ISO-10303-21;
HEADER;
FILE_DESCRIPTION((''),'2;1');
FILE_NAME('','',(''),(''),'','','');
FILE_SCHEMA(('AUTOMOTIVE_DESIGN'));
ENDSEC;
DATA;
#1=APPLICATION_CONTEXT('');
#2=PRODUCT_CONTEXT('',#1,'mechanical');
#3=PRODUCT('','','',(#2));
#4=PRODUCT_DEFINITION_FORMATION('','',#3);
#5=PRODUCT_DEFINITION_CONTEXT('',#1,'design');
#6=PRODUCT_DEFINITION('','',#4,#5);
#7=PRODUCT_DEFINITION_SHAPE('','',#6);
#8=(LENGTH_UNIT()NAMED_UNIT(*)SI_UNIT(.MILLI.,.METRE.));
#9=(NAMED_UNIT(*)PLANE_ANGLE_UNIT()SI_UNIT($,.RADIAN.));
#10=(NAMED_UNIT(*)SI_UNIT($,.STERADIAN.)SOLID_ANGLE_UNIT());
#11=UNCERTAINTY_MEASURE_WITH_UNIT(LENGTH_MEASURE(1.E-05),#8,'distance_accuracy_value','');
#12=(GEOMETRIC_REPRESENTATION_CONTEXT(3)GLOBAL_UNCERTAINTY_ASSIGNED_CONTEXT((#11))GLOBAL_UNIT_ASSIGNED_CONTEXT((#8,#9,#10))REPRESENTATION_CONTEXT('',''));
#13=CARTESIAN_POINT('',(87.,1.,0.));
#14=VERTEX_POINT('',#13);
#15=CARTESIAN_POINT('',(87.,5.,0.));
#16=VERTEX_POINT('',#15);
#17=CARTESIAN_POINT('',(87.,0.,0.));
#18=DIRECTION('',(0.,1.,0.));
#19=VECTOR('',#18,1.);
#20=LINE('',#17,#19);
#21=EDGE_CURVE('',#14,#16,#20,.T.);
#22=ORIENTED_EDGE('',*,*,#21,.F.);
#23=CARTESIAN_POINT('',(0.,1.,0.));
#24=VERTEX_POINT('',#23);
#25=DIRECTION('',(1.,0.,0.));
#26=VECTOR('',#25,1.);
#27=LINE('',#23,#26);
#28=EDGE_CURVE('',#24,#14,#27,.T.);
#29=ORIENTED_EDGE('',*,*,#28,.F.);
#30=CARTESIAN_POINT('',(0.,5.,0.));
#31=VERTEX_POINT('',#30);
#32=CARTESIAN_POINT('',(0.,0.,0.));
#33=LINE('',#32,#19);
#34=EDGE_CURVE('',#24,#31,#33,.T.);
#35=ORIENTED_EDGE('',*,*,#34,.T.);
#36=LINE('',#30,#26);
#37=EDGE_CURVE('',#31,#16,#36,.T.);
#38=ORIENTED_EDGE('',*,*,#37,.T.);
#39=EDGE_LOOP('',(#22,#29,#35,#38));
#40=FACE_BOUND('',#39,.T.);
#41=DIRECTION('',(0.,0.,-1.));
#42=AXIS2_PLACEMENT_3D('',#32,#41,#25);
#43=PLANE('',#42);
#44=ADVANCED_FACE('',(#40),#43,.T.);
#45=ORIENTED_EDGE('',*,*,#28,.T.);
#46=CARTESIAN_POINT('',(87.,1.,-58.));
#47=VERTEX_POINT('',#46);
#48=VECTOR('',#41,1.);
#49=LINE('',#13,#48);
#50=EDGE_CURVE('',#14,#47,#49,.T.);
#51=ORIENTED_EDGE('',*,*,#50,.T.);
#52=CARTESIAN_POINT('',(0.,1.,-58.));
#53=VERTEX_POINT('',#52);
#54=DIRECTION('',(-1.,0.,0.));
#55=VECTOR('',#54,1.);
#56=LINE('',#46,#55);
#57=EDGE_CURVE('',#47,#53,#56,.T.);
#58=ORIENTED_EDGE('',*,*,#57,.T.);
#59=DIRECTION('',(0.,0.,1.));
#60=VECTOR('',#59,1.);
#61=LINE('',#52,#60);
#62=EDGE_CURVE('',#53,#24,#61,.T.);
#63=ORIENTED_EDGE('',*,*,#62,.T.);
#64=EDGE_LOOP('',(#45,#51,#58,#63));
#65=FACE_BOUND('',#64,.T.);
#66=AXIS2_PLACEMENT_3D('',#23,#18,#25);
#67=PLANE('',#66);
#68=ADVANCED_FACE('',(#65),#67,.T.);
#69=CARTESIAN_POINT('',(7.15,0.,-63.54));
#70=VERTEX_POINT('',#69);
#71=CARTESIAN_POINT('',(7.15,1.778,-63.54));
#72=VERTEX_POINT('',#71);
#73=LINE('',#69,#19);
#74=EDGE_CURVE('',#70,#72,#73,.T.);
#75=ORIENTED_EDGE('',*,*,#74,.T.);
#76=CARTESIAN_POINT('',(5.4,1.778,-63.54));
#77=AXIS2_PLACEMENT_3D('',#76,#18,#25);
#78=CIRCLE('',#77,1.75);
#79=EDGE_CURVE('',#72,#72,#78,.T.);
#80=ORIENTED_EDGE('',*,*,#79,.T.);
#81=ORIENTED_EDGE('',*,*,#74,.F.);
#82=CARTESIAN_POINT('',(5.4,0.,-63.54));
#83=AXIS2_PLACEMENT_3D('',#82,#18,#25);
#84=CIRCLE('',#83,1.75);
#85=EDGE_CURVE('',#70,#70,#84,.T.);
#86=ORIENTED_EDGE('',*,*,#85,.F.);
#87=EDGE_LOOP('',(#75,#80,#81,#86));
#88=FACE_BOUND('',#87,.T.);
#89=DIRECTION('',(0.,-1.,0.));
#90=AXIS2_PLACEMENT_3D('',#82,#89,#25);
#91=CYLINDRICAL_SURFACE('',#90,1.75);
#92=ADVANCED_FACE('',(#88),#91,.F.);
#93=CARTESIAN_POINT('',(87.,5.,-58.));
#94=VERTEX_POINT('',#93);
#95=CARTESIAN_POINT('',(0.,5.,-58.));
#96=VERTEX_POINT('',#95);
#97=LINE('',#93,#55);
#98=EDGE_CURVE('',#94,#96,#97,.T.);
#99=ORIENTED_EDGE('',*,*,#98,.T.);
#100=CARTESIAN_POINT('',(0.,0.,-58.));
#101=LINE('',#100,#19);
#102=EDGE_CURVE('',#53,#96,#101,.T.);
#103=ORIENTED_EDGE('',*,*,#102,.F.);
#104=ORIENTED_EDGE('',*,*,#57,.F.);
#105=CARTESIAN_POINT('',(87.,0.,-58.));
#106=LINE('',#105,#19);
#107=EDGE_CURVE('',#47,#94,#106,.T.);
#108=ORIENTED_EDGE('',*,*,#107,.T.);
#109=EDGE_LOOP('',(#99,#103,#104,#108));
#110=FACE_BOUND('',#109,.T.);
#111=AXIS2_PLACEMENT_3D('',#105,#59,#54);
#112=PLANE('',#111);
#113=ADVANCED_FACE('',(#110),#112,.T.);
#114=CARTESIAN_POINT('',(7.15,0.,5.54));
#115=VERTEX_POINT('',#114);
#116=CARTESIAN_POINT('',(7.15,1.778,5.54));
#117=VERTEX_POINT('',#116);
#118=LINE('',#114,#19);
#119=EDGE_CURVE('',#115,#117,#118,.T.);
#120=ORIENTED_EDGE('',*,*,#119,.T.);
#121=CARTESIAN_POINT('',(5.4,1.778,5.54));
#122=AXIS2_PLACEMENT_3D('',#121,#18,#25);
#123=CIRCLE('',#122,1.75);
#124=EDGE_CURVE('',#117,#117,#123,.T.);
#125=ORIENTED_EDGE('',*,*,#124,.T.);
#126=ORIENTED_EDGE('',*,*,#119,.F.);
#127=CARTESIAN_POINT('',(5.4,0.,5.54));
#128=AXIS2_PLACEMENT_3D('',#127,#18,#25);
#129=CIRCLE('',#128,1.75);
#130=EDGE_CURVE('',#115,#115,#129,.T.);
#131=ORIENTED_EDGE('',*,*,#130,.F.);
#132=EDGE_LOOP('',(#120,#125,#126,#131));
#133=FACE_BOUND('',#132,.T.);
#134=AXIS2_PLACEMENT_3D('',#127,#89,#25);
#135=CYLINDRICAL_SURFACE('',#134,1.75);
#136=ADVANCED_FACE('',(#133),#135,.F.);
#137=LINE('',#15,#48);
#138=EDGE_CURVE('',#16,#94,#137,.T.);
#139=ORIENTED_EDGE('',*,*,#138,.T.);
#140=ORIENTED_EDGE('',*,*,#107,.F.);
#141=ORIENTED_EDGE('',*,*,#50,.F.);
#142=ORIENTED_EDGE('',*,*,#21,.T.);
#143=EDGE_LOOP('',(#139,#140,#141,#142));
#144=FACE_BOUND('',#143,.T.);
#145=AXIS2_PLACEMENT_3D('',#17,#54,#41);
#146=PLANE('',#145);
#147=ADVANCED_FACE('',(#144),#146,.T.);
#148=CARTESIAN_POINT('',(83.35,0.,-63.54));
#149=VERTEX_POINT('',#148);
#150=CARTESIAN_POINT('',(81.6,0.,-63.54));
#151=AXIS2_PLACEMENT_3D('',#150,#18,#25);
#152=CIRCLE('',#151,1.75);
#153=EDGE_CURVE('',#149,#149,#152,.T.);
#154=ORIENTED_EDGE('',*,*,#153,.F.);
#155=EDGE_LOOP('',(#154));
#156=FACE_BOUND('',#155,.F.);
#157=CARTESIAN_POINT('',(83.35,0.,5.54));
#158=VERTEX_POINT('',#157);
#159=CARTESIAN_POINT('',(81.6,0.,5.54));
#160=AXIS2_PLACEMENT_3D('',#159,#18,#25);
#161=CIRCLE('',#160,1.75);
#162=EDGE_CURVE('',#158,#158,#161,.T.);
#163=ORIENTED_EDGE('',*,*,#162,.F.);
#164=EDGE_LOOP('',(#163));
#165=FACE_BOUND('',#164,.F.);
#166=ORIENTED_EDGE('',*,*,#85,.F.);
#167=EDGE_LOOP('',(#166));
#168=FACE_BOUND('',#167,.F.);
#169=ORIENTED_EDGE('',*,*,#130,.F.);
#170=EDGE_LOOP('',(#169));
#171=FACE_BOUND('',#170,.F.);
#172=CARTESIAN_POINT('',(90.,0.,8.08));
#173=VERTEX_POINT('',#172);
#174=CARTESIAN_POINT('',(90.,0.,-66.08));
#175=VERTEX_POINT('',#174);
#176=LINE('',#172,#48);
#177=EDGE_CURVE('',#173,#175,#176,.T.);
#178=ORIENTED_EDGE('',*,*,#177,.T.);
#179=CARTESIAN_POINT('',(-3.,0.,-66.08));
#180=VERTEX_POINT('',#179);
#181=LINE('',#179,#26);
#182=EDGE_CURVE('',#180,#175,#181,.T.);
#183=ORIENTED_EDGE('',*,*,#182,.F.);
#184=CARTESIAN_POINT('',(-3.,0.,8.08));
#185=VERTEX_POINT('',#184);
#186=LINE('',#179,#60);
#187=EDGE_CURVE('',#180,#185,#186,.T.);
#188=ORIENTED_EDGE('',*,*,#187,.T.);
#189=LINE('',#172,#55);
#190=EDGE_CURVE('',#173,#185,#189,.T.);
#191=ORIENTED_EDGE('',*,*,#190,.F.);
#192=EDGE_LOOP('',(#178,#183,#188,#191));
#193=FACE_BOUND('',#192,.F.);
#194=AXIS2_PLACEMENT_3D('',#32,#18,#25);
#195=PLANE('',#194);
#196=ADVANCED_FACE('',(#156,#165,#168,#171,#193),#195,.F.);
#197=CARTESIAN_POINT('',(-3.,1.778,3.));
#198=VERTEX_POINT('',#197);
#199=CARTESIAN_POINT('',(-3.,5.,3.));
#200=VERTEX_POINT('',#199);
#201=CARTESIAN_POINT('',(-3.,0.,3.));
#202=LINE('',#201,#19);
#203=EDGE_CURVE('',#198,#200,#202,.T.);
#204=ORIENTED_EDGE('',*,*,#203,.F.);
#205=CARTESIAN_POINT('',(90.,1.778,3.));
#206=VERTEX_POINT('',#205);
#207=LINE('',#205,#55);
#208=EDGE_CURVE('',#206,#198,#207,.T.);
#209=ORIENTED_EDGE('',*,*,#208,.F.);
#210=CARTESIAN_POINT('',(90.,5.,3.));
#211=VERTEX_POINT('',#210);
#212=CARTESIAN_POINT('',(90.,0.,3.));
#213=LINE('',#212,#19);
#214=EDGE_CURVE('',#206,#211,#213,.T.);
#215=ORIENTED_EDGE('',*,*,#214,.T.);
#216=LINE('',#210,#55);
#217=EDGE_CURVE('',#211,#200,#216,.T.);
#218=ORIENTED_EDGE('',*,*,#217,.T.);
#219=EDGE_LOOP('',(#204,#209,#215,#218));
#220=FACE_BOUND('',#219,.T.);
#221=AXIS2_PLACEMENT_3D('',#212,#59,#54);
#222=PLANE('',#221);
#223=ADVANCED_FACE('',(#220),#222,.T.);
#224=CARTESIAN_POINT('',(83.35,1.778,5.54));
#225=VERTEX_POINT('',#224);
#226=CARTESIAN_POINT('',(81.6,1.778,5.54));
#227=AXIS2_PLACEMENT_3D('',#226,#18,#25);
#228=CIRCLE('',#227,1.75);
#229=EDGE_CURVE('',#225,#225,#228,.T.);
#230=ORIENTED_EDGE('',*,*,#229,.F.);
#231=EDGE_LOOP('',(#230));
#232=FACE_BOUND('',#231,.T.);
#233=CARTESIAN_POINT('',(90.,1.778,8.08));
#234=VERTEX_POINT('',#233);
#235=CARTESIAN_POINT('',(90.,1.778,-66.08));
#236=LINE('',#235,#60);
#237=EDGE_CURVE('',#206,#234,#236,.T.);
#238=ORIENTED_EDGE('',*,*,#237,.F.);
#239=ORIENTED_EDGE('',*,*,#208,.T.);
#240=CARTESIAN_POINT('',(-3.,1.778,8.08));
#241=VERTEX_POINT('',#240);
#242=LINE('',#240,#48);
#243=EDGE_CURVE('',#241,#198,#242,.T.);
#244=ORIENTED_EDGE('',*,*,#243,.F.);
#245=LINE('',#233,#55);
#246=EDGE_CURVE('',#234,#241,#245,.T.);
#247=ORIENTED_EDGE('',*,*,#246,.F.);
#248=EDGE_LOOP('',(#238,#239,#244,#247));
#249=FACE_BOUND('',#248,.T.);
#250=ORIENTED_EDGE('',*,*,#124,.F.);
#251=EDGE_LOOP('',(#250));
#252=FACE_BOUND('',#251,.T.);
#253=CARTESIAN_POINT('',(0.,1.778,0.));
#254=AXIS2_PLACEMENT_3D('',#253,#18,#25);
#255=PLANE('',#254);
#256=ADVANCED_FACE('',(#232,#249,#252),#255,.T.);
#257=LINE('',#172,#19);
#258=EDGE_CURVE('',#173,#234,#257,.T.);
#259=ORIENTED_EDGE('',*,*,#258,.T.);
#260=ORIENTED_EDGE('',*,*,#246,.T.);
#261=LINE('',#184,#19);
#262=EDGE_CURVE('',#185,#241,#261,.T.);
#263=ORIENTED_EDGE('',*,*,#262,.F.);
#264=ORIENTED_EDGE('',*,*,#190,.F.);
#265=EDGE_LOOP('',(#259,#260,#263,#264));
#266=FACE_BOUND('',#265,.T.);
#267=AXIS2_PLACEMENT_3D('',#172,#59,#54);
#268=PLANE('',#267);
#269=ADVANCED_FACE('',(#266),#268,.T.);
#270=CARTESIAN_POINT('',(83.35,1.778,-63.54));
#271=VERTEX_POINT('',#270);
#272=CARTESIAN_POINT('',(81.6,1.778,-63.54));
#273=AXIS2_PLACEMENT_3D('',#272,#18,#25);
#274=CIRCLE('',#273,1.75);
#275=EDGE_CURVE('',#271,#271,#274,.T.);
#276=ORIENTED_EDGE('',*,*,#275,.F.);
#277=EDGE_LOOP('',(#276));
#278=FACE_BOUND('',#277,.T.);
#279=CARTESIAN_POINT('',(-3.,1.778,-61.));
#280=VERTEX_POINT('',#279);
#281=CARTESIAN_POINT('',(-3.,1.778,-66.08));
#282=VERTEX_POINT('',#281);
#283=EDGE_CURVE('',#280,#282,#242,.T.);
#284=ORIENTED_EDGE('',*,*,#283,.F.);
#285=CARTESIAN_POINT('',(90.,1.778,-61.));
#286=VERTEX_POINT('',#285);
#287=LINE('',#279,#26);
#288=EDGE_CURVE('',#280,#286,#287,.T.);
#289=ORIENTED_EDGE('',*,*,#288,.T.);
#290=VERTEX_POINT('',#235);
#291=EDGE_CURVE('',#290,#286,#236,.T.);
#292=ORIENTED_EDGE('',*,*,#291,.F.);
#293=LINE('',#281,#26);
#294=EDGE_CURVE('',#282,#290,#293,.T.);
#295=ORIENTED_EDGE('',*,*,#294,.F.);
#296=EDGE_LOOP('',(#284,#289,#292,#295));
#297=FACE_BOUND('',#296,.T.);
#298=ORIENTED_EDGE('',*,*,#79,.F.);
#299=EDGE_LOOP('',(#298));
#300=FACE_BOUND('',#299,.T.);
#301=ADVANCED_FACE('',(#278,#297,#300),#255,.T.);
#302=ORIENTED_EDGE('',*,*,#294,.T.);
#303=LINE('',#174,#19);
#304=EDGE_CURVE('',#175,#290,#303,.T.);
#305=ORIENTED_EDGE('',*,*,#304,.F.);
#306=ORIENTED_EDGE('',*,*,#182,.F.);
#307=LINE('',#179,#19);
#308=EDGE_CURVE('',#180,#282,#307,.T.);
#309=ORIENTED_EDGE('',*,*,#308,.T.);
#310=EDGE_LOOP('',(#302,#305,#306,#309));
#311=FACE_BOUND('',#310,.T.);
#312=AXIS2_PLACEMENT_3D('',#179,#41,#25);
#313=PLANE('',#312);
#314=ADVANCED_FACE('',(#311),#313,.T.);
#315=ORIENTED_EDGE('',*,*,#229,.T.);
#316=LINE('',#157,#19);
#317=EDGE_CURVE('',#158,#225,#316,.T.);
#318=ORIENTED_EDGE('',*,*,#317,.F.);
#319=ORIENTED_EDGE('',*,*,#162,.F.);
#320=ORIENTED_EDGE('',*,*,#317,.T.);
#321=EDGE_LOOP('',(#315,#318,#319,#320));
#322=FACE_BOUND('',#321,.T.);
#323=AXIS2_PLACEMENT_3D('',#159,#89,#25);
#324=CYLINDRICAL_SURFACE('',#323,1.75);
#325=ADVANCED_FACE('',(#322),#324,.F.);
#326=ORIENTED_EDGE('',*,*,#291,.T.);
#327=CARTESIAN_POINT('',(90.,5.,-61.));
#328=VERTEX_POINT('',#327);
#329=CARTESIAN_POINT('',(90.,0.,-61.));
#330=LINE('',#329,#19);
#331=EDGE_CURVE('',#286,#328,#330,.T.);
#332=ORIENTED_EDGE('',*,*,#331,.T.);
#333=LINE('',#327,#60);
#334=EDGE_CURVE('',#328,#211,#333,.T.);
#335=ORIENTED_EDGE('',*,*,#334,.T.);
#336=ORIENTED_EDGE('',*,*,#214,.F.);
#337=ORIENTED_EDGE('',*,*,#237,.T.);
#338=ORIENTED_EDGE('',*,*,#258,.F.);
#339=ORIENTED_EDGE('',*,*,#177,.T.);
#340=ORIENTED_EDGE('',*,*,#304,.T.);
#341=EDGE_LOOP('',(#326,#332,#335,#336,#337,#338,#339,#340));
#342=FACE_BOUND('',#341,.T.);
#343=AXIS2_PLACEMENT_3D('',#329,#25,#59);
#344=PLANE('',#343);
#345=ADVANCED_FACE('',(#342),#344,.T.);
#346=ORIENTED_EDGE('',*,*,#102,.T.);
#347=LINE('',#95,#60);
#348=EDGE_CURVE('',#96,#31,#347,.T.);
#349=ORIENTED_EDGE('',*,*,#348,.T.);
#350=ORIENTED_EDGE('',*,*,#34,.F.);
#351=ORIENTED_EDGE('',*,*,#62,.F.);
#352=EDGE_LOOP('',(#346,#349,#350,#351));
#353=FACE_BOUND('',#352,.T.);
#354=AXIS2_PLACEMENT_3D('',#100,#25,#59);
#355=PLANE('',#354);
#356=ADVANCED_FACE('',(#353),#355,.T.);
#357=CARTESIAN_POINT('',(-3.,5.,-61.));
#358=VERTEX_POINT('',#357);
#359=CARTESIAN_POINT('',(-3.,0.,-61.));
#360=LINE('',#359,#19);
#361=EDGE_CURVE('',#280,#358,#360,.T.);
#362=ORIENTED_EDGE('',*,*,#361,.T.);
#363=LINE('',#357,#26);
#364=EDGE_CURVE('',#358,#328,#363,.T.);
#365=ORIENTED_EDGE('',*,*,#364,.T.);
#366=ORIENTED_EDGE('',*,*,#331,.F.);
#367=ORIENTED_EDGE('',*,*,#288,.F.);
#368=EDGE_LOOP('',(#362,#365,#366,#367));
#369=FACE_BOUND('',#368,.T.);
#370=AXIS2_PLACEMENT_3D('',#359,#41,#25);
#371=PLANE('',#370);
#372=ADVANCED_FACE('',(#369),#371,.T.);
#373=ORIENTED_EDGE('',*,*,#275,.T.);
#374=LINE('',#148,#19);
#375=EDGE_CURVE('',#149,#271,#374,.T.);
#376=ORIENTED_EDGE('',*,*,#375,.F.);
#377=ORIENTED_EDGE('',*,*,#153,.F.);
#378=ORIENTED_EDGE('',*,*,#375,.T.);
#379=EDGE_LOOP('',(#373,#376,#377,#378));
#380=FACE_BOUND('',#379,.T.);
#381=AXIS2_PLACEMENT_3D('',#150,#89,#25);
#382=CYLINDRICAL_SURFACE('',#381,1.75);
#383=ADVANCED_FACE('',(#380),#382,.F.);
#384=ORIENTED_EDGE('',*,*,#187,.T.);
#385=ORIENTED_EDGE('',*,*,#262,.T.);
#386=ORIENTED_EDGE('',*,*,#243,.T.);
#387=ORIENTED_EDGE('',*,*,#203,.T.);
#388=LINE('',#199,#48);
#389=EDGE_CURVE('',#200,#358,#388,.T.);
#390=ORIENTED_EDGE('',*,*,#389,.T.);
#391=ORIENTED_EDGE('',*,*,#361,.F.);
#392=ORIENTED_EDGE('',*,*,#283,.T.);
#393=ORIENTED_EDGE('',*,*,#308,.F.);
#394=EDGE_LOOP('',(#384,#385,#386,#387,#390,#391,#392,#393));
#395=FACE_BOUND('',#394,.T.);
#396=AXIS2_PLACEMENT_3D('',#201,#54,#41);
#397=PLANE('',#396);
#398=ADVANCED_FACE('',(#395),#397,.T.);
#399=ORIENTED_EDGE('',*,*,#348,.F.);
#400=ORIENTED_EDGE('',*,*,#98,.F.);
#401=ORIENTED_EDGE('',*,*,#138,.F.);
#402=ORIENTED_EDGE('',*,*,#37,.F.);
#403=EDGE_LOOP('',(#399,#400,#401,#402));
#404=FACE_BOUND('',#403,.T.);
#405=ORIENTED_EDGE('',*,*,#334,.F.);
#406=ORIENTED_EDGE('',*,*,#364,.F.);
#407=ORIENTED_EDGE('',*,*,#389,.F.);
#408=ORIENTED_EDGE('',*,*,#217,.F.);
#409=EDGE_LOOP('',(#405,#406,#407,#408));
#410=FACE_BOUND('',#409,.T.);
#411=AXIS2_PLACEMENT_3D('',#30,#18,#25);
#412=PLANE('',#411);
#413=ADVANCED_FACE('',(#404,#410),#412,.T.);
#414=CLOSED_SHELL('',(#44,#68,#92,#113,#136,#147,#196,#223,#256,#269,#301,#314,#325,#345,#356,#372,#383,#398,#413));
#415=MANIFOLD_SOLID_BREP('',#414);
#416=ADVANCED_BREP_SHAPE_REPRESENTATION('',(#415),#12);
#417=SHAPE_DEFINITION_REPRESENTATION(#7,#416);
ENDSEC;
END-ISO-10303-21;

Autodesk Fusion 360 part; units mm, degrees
sketch "Sketch1" plane through (0, 0, 0) normal (0, 1, 0) x (1, 0, 0)
  line L0 (0, 0) -> (87, 0)
  line L1 (87, 0) -> (87, 58)
  line L2 (87, 58) -> (0, 58)
  line L3 (0, 58) -> (0, 0)
  line L4 (-3, 61) -> (90, 61)
  line L5 (90, 61) -> (90, -3)
  line L6 (90, -3) -> (-3, -3)
  line L7 (-3, -3) -> (-3, 61)
  dimension "d1" = 87
  dimension "d2" = 58
  dimension "d3" = 3
  dimension "d4" = 3
  dimension "d5" = 3
  dimension "d6" = 3
extrude "Extrude1" add sketch "Sketch1" along normal blind 5
extrude "Extrude2" add sketch "Sketch1" along normal blind 1 contours L0 L1 L2 L3
sketch "Sketch2" plane through (0, 0, 0) normal (0, 1, 0) x (1, 0, 0)
  line L0 (90, -3) -> (-3, -3)
  line L1 (-3, -3) -> (-3, 61)
  line L2 (-3, 61) -> (90, 61)
  line L3 (90, 61) -> (90, -3)
  circle A0 centre (81.6, 63.54) radius 1.75
  circle A1 centre (5.4, 63.54) radius 1.75
  line L4 (-3, -3) -> (-3, 61)
  line L5 (-3, 61) -> (90, 61)
  circle A2 centre (81.6, -5.54) radius 1.75
  circle A3 centre (5.4, -5.54) radius 1.75
  line L6 (90, -3) -> (-3, -3)
  line L7 (-3, 66.08) -> (90, 66.08)
  line L8 (90, 66.08) -> (90, -8.08)
  line L9 (90, -8.08) -> (-3, -8.08)
  line L10 (-3, -8.08) -> (-3, 66.08)
  dimension "d11" = 3.5
  dimension "d12" = 3.5
  dimension "d13" = 76.2
  dimension "d14" = 8.4
  dimension "d15" = 2.54
  dimension "d16" = 3.5
  dimension "d17" = 3.5
  dimension "d18" = 2.54
  dimension "d19" = 2.54
  dimension "d21" = 2.54
  dimension "d22" = 2.54
extrude "Extrude3" add sketch "Sketch2" along normal blind 1.778 contours L0 L6 L8 L9 L10 | L2 L5 L7 L8 L10
equation "d4 = d3"
equation "d5 = d4"
